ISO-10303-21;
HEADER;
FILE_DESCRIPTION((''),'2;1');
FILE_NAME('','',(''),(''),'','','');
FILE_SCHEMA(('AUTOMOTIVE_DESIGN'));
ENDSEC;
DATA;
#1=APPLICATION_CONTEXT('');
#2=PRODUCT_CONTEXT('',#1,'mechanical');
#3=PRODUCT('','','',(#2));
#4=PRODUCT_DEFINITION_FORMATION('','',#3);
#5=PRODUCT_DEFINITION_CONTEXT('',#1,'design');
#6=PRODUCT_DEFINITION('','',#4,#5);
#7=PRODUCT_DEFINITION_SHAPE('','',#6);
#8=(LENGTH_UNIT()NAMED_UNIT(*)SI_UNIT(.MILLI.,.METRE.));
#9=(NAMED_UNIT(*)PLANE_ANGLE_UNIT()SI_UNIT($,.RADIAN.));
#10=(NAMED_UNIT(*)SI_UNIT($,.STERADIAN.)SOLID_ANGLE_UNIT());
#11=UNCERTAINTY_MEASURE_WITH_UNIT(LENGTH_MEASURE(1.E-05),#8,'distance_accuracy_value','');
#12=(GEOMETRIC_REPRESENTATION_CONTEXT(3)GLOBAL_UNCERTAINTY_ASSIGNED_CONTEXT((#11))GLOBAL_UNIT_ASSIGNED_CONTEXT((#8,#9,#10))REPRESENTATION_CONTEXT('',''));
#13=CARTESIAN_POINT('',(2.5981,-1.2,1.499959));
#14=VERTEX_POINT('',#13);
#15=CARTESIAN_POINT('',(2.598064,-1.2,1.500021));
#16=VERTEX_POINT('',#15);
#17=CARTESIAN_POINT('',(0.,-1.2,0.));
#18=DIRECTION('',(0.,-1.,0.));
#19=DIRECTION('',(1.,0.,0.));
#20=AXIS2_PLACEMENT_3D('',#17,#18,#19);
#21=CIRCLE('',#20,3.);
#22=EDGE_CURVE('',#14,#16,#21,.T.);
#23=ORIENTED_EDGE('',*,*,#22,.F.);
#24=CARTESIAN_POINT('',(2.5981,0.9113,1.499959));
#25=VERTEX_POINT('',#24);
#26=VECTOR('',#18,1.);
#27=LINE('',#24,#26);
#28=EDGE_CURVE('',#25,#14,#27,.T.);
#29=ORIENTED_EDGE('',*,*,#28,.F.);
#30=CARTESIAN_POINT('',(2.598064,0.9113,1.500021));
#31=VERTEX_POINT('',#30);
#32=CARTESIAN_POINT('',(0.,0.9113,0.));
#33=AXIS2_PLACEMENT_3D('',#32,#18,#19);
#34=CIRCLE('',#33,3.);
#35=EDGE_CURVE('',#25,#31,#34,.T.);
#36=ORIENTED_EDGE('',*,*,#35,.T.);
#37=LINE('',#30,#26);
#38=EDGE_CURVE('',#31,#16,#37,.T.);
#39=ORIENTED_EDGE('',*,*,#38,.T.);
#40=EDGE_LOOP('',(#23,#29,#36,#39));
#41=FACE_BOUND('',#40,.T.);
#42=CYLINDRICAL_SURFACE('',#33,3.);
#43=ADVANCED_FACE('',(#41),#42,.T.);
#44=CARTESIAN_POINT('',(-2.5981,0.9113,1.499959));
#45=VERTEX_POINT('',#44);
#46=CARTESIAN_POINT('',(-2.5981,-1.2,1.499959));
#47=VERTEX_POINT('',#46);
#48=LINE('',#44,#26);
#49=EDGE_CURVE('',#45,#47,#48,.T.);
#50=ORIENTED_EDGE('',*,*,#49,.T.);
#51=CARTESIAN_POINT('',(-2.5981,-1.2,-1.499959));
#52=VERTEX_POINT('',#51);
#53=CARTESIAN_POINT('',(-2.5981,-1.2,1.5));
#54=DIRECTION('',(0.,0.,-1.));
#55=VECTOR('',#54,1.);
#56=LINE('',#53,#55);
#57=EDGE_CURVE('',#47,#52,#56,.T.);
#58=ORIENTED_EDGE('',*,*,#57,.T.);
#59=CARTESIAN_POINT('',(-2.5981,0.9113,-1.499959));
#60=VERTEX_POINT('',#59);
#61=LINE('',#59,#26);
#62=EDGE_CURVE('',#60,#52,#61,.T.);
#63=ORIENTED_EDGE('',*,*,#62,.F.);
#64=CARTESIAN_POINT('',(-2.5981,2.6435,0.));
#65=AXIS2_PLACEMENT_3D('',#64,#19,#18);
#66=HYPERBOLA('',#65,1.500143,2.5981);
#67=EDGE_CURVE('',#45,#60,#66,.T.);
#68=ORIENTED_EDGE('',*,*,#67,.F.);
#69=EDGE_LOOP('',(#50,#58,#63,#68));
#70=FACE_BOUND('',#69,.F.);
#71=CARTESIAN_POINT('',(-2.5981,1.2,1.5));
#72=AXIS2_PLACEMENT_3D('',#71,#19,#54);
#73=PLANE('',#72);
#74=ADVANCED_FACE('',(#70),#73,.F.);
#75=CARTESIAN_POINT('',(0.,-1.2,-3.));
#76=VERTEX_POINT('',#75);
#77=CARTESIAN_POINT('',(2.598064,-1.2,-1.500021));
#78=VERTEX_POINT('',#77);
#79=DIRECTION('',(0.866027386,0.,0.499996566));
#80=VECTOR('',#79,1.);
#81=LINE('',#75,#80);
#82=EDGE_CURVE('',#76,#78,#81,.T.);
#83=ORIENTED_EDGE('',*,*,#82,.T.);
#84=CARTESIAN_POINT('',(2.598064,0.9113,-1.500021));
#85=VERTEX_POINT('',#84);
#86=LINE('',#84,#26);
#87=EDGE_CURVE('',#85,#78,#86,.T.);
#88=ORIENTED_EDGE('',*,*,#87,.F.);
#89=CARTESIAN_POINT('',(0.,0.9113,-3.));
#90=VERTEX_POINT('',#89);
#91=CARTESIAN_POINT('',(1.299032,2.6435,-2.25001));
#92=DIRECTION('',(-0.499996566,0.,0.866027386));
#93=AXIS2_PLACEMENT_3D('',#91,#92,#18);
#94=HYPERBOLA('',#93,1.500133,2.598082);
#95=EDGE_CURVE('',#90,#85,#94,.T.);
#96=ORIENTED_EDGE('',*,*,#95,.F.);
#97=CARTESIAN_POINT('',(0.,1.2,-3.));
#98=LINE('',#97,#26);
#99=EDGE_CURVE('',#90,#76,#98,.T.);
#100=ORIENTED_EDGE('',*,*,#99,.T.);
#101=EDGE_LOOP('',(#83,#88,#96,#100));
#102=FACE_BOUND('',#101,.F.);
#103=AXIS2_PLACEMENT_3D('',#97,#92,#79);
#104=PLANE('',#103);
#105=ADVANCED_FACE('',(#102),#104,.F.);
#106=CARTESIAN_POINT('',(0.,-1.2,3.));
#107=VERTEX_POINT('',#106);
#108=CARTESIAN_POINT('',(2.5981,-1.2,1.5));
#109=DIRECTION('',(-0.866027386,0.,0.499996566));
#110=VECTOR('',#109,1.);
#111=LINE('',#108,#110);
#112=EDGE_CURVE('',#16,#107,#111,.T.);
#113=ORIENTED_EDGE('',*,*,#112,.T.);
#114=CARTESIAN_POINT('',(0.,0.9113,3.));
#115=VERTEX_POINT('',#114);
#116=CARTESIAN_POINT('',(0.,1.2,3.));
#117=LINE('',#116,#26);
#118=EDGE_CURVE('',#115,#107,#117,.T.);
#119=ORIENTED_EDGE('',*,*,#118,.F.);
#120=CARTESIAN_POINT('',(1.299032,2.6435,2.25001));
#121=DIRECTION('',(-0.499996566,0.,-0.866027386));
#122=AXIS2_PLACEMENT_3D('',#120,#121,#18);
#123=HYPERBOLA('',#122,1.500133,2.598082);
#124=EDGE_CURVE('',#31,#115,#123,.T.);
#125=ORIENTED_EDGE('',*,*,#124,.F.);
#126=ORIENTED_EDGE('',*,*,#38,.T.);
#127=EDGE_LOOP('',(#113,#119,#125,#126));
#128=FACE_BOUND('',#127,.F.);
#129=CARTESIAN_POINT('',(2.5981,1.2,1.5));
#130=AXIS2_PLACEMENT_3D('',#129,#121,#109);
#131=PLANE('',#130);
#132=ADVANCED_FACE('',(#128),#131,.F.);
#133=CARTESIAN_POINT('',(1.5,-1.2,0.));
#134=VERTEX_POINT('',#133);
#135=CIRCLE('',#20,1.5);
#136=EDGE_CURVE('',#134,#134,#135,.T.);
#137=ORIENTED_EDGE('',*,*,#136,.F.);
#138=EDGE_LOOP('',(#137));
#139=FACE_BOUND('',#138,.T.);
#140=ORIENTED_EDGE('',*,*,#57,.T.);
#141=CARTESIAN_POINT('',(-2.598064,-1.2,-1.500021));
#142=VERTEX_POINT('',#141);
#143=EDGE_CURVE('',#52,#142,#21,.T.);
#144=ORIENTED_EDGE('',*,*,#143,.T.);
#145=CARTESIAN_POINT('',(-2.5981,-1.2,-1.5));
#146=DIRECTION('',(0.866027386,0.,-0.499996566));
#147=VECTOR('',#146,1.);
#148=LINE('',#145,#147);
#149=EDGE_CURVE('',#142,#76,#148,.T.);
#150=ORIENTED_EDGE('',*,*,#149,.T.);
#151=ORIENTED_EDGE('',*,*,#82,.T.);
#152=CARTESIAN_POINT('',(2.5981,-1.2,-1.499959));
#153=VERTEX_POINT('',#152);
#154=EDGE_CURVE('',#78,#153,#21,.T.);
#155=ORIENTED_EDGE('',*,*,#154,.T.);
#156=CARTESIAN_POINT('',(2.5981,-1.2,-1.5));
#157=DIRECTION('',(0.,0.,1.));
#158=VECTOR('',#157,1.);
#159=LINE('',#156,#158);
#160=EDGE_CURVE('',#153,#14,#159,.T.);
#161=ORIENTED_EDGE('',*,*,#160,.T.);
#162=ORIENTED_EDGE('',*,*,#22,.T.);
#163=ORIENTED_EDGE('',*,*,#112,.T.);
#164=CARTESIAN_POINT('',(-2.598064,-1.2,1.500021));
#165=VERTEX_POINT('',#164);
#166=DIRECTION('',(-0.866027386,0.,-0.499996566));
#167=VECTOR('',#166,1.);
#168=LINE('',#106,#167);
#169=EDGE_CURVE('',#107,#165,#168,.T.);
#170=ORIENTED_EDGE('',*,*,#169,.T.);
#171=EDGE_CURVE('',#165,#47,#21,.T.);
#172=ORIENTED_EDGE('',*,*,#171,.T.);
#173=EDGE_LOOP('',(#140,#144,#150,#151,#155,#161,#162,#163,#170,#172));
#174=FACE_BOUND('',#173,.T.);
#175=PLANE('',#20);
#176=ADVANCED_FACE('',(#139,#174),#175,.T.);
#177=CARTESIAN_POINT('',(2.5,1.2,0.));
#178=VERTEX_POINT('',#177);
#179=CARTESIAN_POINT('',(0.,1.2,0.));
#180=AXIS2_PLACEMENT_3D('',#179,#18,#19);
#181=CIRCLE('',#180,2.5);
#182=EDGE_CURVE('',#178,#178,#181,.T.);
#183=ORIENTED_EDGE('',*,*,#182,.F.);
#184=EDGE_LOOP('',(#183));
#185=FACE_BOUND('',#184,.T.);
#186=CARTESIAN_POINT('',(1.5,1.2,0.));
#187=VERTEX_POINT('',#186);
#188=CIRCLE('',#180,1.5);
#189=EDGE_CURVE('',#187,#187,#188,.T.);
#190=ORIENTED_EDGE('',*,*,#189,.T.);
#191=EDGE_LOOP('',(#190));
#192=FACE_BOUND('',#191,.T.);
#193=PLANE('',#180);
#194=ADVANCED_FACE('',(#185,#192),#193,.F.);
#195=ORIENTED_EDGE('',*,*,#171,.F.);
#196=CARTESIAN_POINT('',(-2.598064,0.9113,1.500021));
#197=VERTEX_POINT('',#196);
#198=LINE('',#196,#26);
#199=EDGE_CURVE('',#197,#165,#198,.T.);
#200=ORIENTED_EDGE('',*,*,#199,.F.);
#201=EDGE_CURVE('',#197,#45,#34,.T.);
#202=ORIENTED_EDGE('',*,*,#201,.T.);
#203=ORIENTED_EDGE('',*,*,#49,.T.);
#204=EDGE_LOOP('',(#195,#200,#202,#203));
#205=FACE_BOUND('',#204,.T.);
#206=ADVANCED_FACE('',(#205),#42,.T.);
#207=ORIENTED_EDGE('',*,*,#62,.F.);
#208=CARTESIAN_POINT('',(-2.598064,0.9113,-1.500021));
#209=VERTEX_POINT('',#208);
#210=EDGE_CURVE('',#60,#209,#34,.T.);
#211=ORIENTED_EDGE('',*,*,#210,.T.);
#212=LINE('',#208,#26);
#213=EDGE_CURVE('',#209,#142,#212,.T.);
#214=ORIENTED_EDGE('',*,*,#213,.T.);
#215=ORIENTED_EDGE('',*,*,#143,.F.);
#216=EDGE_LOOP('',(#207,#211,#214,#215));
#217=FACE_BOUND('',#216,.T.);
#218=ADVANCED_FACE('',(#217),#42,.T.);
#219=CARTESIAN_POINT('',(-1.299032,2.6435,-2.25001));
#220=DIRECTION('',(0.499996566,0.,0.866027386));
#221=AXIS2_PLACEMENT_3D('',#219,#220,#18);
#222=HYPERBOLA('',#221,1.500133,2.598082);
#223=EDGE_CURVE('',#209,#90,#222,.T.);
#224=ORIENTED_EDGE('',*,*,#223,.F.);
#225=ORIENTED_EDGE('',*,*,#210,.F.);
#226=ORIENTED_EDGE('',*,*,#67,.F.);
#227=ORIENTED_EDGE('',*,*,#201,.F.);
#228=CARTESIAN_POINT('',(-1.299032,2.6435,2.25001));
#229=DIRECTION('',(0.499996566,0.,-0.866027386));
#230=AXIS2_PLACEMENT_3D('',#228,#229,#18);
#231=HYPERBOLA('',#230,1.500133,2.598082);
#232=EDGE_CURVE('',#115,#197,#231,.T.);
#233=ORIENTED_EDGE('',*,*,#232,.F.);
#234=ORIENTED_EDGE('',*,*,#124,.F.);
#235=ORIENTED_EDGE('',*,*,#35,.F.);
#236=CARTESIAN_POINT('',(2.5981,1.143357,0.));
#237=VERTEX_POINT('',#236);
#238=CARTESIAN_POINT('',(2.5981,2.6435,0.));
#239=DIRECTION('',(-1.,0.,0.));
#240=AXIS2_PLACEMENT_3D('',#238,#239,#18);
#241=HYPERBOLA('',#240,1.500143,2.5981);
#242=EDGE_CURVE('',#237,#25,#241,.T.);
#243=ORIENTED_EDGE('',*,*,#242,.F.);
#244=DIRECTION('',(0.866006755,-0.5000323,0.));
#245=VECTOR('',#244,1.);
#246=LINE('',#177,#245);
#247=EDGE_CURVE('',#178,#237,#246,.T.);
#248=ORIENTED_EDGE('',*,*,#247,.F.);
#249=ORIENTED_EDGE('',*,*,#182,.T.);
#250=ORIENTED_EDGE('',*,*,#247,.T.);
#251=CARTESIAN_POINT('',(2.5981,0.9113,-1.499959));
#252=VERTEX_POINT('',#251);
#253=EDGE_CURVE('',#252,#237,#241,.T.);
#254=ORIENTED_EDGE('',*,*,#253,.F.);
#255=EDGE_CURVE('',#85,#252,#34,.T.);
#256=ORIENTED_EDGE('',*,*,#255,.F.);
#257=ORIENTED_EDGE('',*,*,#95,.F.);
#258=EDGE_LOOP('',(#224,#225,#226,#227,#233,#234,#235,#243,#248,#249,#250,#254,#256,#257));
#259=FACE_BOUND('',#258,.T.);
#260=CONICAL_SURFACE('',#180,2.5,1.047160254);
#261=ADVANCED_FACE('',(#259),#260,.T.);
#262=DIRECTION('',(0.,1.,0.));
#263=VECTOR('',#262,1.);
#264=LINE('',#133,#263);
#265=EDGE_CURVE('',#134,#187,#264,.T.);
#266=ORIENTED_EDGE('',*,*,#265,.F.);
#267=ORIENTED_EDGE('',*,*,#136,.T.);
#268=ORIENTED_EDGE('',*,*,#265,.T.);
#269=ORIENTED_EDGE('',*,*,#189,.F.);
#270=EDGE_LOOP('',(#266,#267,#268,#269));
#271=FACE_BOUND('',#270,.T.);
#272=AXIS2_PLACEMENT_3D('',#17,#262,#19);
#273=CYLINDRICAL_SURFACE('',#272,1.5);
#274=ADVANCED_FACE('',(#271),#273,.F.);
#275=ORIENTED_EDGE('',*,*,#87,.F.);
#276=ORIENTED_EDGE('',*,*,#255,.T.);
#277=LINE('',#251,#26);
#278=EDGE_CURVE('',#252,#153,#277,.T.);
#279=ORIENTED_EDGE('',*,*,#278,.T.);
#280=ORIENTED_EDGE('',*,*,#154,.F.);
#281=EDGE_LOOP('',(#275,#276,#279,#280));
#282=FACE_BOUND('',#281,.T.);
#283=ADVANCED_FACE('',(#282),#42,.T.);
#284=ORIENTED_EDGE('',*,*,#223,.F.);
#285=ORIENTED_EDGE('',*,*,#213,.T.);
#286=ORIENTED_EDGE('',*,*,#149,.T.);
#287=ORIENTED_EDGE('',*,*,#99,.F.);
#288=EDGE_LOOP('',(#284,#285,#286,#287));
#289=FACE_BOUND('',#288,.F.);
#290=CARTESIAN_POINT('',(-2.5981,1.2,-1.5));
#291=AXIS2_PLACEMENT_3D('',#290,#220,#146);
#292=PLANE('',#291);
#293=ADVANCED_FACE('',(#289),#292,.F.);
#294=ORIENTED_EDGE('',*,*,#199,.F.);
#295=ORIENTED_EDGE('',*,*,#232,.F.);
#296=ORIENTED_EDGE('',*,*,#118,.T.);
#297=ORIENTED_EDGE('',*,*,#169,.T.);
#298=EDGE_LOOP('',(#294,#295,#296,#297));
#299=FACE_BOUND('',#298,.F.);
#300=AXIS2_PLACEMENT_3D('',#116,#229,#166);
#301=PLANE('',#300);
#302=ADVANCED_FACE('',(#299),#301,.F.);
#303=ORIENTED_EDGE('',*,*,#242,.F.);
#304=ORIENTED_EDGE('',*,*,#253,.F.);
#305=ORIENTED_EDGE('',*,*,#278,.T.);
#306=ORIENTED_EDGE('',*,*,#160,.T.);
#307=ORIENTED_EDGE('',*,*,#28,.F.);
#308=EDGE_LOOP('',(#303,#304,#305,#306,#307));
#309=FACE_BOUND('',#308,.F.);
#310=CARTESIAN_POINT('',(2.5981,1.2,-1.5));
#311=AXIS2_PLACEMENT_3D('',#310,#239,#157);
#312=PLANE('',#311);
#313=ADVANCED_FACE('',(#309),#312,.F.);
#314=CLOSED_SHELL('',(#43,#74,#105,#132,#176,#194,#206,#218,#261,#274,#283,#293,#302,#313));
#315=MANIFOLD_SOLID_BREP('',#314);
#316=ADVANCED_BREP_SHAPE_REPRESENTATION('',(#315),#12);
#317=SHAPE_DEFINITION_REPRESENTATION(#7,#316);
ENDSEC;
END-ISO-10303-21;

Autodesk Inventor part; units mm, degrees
ref_plane "YZ Plane" through (0, 0, 0) normal (1, 0, 0) x (0, 1, 0)
ref_plane "XZ Plane" through (0, 0, 0) normal (0, 1, 0) x (-1, 0, 0)
ref_plane "XY Plane" through (0, 0, 0) normal (0, 0, 1) x (1, 0, 0)
sketch "スケッチ1" plane through (0, 0, 0) normal (0, 0, 1) x (1, 0, 0)
  line L0 (1.5, 1.2) -> (2.5, 1.2)
  line L1 (3, 0.9113) -> (3, -1.2)
  line L2 (3, -1.2) -> (1.5, -1.2)
  line L3 (1.5, -1.2) -> (1.5, 1.2)
  line L4 (0, 1.2) -> (0, -1.2)
  line L5 (2.5, 1.2) -> (3, 0.9113)
  point P0 (0, 0)
  dimension "d0" = 1.2
  dimension "d1" = 2.4
  dimension "d2" = 1.5
  dimension "d3" = 3
  dimension "d4" = 1
  dimension "d5" = 30
revolve "回転1" add sketch "スケッチ1" angle 360 about axis through (0, 1.2, 0) along (0, -1, 0)
sketch "スケッチ2" plane through (0, 1.2, 0) normal (0, 1, 0) x (1, 0, 0)
  circle A0 centre (0, 0) radius 1.5 projected
  line L0 (0, 3) -> (2.5981, 1.5)
  line L1 (2.5981, 1.5) -> (2.5981, -1.5)
  line L2 (2.5981, -1.5) -> (0, -3)
  line L3 (0, -3) -> (-2.5981, -1.5)
  line L4 (-2.5981, -1.5) -> (-2.5981, 1.5)
  line L5 (-2.5981, 1.5) -> (0, 3)
  dimension "d7" = 3
extrude "押し出し1" cut sketch "スケッチ2" against normal blind 2.4 keep common part
thread "ねじ1" size "M3x0.5" class "6H" standard "ANSI Metric M Profile" full length
properties material "ステンレス鋼"
